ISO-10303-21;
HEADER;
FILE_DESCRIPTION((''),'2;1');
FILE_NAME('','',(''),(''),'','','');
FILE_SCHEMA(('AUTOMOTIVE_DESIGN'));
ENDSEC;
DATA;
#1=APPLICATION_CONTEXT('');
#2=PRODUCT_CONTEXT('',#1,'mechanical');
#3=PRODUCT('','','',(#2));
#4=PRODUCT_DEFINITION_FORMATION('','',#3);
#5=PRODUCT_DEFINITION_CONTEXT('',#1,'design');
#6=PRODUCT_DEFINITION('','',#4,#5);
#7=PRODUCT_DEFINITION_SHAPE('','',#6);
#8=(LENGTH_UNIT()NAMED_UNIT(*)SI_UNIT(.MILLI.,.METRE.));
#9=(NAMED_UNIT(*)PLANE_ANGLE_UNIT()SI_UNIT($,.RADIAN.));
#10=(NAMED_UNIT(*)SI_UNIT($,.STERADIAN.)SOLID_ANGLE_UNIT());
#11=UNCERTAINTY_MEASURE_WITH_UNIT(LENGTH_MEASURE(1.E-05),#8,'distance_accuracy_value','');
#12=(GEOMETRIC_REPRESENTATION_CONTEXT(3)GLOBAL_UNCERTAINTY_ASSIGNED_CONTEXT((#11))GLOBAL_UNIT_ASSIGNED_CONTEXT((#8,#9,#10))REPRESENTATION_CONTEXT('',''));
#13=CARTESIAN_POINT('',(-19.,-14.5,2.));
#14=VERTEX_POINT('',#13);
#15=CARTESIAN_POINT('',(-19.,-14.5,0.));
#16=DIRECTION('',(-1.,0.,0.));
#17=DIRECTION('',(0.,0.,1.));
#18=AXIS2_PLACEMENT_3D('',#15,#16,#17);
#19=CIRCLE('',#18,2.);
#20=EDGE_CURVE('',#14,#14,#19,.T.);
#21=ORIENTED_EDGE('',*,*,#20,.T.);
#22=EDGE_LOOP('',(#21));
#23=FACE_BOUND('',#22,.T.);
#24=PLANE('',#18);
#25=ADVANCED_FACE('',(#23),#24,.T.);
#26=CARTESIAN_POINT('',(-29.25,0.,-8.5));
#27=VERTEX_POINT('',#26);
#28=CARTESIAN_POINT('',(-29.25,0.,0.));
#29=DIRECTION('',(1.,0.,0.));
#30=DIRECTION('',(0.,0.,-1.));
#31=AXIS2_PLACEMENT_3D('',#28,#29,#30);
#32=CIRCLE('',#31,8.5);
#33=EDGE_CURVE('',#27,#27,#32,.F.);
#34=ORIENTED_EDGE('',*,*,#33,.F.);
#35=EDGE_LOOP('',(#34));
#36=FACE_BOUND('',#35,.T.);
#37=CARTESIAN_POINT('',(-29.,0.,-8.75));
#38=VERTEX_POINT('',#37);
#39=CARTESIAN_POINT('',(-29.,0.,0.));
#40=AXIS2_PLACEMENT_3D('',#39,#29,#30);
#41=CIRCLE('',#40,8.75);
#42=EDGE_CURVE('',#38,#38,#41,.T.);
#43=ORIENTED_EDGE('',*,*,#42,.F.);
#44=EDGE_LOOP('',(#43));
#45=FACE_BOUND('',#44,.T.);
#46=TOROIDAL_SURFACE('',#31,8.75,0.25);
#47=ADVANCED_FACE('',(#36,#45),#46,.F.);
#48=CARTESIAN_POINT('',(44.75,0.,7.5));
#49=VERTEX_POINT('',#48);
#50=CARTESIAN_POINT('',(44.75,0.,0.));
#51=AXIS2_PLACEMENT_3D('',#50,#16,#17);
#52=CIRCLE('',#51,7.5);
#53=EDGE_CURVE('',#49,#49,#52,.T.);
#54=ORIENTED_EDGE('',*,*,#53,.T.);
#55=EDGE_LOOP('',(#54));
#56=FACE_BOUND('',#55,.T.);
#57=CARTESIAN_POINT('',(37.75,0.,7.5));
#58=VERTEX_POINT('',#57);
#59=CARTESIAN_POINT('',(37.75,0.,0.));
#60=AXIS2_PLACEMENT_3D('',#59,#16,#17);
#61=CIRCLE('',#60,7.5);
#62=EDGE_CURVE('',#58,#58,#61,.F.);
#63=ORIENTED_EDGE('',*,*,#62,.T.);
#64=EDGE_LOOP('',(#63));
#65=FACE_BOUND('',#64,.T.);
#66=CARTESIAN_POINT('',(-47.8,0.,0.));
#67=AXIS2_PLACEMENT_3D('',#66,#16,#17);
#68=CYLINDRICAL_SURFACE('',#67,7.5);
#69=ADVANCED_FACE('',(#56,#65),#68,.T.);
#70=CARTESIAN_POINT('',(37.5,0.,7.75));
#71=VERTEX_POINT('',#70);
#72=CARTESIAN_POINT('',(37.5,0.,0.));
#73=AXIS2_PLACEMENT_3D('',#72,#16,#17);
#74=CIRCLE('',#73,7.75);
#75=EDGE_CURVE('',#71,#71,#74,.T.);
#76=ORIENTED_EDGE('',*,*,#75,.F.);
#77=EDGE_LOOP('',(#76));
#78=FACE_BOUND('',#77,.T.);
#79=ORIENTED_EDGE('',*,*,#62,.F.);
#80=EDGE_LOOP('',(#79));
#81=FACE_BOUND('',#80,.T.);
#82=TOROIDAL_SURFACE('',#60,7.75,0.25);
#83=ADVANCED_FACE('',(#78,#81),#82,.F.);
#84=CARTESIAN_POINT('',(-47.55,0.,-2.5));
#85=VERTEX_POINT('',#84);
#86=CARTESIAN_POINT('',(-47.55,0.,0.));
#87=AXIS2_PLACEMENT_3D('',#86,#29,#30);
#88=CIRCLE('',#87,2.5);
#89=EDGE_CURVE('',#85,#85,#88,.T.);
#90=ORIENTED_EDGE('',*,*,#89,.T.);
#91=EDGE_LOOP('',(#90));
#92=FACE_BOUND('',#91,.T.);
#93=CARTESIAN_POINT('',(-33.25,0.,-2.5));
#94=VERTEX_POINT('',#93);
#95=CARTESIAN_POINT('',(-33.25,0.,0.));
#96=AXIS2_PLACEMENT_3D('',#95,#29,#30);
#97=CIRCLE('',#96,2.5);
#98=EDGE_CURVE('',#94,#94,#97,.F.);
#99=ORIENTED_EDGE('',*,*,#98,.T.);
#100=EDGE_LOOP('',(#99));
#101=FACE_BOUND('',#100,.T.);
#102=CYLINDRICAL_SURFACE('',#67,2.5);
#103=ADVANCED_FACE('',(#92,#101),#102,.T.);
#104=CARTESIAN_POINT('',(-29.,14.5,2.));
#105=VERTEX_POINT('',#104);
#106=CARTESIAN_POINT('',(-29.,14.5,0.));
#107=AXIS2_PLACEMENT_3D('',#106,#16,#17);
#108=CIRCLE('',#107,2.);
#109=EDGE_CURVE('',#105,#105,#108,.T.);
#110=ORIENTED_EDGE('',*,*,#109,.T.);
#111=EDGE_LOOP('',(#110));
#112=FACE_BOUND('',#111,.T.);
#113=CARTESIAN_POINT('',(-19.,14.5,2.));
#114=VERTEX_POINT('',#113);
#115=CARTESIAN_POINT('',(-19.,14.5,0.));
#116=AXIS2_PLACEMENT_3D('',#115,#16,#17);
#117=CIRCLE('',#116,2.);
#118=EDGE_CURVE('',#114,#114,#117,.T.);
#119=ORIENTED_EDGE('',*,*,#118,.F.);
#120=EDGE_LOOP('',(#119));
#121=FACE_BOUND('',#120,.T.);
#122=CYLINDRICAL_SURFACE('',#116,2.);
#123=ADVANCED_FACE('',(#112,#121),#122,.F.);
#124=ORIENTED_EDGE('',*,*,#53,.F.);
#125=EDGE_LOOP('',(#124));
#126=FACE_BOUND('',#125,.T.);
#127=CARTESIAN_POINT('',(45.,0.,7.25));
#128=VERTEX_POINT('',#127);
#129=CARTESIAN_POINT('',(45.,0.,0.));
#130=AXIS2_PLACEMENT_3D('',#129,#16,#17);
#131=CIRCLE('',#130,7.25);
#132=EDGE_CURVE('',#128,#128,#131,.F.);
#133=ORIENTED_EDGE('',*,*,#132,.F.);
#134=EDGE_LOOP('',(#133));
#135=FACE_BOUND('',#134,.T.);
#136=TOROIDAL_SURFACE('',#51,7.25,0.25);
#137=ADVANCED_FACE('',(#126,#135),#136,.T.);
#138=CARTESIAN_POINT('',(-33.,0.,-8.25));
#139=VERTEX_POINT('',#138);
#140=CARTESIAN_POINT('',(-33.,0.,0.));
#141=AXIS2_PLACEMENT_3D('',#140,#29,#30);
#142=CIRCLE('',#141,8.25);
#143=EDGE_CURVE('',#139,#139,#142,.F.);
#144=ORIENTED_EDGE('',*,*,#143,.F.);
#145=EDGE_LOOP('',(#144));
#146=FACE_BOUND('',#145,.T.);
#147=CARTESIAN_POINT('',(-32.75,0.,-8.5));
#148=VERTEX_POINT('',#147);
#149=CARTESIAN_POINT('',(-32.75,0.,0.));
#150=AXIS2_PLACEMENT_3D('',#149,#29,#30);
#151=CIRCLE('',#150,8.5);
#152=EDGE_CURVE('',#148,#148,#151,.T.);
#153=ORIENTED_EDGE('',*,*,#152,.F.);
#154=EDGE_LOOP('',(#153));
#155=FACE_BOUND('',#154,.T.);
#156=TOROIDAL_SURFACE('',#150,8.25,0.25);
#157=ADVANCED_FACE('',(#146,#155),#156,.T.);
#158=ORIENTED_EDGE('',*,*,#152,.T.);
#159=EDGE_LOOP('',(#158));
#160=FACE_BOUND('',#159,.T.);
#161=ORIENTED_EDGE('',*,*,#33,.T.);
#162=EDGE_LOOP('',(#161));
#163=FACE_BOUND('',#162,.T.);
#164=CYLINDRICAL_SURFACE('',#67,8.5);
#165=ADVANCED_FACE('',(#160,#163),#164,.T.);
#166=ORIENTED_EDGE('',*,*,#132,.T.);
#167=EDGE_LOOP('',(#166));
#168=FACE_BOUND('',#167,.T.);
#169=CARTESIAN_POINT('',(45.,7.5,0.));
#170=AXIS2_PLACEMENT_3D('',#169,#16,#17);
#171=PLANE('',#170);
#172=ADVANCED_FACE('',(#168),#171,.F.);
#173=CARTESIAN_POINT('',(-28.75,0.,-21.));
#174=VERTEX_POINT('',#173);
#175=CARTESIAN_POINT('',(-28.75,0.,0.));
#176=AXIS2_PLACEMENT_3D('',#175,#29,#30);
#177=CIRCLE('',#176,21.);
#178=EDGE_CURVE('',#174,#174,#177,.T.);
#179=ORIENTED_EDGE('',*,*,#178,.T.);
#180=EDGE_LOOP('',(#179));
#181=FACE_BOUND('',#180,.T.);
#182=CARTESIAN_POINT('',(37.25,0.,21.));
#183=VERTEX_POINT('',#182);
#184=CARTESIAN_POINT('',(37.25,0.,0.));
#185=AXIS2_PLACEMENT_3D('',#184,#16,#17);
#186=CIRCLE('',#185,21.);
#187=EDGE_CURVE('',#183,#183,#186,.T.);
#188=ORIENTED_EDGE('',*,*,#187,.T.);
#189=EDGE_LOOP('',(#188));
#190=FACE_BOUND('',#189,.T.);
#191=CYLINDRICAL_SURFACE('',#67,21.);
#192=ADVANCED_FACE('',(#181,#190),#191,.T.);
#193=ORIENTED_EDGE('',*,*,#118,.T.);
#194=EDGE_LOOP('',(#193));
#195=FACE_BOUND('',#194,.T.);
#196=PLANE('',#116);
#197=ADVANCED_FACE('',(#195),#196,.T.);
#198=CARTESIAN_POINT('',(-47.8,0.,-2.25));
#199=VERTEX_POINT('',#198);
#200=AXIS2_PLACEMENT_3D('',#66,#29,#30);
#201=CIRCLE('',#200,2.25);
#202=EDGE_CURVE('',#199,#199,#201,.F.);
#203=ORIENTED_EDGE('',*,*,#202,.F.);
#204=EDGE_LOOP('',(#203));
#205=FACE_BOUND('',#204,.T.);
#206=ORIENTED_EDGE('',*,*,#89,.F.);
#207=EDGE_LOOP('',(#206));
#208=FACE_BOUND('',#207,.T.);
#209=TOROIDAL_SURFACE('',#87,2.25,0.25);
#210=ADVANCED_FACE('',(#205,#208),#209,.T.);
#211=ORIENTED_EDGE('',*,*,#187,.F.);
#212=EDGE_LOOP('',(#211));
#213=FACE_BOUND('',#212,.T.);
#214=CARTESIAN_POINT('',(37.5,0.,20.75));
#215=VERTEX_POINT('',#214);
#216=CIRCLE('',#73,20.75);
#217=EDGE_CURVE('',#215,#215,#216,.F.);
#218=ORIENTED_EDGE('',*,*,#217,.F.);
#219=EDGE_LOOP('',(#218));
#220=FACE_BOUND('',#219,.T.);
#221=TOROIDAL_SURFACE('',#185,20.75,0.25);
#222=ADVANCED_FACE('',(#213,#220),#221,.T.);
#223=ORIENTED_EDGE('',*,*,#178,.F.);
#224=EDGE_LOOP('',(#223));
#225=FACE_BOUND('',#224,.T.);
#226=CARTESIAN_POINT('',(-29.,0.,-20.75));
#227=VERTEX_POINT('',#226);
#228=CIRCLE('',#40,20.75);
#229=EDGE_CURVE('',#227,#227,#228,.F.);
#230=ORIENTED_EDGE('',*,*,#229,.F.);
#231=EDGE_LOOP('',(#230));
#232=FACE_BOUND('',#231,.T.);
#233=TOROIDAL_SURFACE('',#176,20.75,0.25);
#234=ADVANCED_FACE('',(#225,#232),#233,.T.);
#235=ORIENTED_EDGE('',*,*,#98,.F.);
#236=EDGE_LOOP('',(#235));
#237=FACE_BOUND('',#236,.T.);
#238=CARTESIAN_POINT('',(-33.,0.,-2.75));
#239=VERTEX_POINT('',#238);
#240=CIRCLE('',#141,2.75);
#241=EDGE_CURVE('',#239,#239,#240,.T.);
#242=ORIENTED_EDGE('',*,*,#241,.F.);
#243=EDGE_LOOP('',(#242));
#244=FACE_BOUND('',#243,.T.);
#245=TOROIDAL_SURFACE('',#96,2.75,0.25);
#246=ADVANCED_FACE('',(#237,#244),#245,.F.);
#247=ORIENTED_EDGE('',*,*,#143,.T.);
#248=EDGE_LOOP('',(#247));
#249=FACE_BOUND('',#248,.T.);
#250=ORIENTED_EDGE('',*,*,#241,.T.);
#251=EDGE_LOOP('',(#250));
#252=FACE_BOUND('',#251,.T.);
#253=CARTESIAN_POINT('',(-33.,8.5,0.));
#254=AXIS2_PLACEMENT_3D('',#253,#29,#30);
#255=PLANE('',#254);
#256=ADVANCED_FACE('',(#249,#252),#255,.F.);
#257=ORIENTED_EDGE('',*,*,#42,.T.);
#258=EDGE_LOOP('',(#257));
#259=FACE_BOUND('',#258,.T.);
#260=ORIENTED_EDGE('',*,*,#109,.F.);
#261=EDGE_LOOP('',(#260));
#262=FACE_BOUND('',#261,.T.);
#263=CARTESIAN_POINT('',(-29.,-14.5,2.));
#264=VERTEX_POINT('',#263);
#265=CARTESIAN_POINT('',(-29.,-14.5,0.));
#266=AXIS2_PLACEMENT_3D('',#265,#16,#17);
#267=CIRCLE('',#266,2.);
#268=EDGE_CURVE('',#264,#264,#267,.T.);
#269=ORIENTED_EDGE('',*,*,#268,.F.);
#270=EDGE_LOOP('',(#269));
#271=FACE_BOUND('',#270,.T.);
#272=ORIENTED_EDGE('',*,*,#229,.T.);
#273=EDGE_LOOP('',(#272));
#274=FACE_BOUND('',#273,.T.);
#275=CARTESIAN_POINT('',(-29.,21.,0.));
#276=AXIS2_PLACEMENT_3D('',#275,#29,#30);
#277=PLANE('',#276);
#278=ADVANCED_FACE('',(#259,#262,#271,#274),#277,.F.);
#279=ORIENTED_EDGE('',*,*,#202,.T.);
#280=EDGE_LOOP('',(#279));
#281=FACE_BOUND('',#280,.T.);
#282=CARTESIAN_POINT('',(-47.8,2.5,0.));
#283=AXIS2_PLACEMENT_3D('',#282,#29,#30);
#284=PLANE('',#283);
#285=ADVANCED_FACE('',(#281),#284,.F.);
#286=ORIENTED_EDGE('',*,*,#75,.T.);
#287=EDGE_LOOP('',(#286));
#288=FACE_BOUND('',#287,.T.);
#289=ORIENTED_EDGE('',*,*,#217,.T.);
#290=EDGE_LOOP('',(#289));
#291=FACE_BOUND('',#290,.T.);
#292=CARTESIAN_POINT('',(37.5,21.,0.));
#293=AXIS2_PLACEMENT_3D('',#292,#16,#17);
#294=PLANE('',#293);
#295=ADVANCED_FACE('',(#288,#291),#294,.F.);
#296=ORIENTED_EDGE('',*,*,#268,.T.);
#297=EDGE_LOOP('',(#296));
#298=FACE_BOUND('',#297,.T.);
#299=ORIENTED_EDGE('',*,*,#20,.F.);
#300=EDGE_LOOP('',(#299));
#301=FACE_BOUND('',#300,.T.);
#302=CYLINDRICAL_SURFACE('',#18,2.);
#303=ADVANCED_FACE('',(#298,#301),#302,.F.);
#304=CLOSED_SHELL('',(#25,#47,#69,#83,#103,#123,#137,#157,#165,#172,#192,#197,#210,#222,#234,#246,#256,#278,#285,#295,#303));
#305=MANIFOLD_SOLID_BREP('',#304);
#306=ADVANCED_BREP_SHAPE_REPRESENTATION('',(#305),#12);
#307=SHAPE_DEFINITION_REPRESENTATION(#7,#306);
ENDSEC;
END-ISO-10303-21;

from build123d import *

# Parameters (mm, degrees)
FILLET1_R          = 0.25
SKETCH4_R          = 2
CUT_EXTRUDE2_DEPTH = 10


with BuildPart() as part:
    # Sketch1 → Revolve1 (revolve)
    with BuildSketch(Plane.XY):
        Polygon((-47.8, 2.5), (-47.8, 0), (45, 0), (45, 7.5), (37.5, 7.5), (37.5, 21), (-29, 21), (-29, 8.5), (-33, 8.5), (-33, 2.5), align=None)
    revolve(axis=Axis((-47.8, 0, 0), (1, 0, 0)))

    # Fillet1
    fillet1_edges = [part.edges().sort_by_distance(p)[0] for p in [
        (37.5, -21, 0),
        (-29, -21, 0),
        (-29, -8.5, 0),
        (-33, -8.5, 0),
        (-33, -2.5, 0),
        (-47.8, -2.5, 0),
        (45, -7.5, 0),
        (37.5, -7.5, 0),
    ]]
    fillet(fillet1_edges, radius=FILLET1_R)

    # Sketch4 → Cut-Extrude2 (cut)
    with BuildSketch(Plane.ZY.offset(29)):
        with Locations((0, 14.5)):
            Circle(SKETCH4_R)
        with Locations((0, -14.5)):
            Circle(SKETCH4_R)
    extrude(amount=-CUT_EXTRUDE2_DEPTH, mode=Mode.SUBTRACT)


solid = part.part
